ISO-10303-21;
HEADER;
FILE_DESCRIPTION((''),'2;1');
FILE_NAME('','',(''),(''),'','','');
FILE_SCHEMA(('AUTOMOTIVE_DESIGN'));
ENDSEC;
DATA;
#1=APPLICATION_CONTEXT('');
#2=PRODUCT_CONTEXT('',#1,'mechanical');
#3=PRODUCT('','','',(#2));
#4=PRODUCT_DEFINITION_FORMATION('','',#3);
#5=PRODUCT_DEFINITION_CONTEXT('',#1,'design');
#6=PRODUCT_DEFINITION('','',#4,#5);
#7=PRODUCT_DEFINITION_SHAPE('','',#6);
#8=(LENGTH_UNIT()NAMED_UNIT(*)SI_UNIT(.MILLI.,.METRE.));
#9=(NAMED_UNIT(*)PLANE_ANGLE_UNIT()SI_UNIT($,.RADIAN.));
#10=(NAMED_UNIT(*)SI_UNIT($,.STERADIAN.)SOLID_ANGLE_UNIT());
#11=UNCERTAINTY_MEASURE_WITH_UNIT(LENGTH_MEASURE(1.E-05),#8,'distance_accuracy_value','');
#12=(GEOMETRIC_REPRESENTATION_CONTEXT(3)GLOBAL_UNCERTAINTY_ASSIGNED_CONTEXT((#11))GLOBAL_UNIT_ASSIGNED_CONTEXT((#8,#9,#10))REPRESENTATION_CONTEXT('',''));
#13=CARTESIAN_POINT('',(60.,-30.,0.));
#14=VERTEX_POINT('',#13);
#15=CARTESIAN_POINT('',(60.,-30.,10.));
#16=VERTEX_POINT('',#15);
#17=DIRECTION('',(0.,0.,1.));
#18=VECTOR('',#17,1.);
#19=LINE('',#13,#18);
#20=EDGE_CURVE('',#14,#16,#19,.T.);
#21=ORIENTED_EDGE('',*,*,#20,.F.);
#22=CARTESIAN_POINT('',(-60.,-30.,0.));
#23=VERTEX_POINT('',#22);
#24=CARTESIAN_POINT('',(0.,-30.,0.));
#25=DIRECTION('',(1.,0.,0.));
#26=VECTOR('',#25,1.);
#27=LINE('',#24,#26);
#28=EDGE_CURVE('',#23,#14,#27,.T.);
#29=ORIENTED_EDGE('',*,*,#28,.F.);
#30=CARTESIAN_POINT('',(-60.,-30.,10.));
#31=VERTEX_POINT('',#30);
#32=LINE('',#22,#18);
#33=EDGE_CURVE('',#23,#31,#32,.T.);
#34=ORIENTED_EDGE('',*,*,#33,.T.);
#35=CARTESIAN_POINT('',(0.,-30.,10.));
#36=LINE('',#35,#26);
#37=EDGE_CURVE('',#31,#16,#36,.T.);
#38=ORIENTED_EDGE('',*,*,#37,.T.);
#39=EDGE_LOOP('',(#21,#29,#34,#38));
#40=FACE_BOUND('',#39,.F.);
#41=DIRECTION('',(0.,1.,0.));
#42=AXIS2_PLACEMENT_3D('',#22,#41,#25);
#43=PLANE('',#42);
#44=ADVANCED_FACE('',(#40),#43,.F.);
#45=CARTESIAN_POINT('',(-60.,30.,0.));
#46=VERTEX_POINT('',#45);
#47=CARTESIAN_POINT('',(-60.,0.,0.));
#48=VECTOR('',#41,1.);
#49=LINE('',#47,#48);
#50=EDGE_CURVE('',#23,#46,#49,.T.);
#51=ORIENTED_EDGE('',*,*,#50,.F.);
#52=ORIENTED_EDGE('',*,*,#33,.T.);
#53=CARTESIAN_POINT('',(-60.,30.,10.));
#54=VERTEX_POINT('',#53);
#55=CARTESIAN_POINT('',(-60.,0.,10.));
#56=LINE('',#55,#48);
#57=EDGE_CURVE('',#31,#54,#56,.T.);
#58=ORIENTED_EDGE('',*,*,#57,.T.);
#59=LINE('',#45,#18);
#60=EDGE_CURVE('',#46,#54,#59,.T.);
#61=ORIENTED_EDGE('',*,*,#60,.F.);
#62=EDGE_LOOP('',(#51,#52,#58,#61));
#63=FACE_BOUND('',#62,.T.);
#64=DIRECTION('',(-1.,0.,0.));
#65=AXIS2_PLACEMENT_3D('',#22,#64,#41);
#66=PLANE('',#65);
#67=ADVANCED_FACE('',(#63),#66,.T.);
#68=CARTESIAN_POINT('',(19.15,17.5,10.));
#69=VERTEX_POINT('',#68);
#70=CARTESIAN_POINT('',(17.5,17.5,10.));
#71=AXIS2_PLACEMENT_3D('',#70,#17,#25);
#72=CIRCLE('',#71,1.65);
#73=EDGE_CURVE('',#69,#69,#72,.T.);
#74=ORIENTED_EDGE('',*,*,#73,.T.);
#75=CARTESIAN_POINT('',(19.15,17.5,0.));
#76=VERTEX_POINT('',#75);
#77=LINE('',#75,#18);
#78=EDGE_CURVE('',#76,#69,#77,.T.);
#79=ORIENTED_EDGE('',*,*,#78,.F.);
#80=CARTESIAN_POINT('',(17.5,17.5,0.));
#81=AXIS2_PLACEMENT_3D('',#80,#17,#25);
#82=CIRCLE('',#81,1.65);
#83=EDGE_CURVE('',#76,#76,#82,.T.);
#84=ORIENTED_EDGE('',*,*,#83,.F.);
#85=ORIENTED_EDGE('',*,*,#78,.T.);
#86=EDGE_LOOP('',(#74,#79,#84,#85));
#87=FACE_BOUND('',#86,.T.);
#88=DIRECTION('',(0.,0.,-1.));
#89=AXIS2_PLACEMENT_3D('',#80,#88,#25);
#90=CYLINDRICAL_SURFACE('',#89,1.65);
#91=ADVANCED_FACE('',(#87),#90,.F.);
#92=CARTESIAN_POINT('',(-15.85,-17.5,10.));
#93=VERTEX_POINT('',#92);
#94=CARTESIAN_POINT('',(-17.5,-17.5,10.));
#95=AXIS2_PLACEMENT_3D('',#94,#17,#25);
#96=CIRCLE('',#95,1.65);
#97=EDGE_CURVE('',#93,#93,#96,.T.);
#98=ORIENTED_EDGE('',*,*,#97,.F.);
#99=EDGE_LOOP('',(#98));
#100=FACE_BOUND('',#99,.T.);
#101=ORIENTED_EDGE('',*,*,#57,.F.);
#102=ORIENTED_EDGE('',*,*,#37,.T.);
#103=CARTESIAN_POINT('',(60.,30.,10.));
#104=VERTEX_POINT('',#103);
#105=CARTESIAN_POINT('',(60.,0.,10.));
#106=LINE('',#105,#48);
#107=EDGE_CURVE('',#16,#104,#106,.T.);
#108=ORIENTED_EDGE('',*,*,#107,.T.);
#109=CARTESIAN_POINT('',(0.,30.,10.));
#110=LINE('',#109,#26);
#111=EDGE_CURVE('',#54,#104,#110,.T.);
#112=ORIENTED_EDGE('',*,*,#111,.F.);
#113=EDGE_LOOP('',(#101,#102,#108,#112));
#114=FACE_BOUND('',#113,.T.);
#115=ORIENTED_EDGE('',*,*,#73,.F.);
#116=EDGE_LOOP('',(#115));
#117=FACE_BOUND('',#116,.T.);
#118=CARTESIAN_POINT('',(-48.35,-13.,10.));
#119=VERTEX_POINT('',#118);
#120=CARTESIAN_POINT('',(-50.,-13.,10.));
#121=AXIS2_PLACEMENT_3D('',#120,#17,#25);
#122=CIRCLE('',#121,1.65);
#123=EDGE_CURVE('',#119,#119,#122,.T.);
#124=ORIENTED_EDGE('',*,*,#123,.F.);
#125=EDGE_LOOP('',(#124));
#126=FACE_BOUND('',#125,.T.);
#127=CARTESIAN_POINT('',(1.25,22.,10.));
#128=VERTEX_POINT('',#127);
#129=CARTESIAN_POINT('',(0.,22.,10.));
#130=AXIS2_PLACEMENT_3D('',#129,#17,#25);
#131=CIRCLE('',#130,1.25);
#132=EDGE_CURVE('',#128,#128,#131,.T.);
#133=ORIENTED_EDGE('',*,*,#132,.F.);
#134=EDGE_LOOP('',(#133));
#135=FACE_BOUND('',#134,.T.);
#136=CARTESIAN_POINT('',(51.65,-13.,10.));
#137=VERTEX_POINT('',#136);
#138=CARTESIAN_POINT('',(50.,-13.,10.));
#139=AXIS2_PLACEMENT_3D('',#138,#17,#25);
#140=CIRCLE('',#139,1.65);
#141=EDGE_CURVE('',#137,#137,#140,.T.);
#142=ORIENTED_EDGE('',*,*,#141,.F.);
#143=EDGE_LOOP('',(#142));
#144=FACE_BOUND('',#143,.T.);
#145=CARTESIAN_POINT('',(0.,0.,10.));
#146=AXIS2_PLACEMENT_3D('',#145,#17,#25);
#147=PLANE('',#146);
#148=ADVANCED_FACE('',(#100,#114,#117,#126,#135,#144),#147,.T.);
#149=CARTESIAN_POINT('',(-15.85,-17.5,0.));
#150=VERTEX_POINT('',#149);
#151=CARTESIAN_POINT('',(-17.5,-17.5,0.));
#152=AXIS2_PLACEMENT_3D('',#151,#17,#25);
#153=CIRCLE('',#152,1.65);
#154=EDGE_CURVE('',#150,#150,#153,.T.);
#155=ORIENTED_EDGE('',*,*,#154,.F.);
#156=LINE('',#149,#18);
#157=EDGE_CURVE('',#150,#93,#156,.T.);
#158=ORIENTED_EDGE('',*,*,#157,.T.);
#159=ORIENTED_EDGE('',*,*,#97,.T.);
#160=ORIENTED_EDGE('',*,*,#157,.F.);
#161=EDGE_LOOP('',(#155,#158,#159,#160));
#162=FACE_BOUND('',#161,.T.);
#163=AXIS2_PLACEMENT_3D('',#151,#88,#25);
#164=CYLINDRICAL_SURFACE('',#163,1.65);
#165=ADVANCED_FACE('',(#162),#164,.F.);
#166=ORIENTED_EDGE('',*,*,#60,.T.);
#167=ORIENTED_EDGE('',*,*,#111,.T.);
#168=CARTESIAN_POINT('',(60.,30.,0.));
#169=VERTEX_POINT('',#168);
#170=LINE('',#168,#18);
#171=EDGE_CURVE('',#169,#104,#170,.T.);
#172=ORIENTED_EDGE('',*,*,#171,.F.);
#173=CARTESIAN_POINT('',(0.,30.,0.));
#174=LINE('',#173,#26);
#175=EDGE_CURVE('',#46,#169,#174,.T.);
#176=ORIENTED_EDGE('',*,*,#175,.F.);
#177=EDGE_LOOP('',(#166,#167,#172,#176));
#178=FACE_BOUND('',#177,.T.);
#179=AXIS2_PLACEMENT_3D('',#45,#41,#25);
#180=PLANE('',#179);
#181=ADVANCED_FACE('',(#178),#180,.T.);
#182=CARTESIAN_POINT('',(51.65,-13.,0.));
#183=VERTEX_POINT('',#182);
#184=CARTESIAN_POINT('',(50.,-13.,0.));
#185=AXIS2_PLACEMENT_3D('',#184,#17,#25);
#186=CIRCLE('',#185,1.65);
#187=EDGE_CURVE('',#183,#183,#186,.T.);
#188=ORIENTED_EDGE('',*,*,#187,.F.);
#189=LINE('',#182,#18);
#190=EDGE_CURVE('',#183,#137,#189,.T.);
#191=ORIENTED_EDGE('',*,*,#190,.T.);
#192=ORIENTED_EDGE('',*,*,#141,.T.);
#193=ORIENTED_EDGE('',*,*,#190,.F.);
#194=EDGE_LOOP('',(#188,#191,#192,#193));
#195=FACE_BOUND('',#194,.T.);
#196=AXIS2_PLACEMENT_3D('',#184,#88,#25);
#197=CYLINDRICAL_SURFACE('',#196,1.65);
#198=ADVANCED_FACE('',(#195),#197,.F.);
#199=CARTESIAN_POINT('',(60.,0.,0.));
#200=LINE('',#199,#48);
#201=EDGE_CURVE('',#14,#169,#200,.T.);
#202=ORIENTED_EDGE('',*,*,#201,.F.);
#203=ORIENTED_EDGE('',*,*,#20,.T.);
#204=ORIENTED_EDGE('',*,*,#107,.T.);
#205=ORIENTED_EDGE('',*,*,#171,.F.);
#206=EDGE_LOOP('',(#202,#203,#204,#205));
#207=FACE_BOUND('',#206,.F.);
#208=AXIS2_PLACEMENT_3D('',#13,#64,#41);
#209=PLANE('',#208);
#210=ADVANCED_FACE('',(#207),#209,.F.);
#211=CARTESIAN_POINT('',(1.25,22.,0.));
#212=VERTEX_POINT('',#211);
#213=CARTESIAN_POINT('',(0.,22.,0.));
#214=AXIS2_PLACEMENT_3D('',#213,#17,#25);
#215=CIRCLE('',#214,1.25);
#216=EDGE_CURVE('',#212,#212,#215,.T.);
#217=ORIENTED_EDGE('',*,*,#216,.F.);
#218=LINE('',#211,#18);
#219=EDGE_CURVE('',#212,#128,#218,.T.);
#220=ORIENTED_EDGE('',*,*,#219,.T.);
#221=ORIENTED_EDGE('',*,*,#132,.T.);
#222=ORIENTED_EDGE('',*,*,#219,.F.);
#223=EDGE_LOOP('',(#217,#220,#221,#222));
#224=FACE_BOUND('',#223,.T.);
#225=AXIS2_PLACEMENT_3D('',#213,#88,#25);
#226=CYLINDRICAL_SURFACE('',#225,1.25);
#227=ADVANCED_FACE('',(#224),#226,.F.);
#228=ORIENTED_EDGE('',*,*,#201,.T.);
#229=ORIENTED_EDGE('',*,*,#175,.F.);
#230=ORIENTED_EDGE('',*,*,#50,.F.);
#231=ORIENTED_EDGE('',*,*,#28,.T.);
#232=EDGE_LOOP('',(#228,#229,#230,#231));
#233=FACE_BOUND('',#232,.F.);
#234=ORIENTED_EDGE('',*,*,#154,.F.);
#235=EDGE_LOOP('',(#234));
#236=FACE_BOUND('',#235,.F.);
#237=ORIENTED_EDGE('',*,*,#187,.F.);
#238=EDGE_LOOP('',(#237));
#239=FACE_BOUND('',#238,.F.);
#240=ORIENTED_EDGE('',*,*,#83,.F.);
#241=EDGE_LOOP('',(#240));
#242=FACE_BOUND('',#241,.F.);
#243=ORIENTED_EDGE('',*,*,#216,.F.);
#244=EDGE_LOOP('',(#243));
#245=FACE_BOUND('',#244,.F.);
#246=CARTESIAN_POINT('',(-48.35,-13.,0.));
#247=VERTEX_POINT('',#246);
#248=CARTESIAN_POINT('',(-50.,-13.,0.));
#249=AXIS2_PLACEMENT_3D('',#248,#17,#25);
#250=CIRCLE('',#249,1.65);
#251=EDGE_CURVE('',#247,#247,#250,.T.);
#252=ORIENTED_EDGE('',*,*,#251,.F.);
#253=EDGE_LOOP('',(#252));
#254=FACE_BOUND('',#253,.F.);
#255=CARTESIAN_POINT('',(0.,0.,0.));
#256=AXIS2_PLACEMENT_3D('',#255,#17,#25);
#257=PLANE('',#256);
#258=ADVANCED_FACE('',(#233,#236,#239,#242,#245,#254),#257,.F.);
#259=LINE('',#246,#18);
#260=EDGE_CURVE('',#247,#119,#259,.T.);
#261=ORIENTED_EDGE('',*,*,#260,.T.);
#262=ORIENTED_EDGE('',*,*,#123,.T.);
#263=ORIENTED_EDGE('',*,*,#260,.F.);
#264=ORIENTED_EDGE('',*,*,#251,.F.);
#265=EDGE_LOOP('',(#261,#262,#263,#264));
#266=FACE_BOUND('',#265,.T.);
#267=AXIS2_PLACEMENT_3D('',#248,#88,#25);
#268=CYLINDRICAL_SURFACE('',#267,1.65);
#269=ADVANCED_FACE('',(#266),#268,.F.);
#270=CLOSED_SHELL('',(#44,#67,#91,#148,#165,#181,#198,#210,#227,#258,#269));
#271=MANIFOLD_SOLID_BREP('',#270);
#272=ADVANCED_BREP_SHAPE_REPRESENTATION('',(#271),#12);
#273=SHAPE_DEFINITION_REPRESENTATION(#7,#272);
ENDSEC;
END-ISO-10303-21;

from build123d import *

# Parameters (mm, degrees)
F0_W     = 120
F0_H     = 60
F0_R     = 1.65
F0_R_2   = 1.25
F1_DEPTH = 10


with BuildPart() as f1:
    # F0 (on Top) → F1 (new body)
    with BuildSketch(Plane.XY):
        Rectangle(F0_W, F0_H)
        with Locations((-17.5, -17.5)):
            Circle(F0_R, mode=Mode.SUBTRACT)
        with Locations((-50, -13)):
            Circle(F0_R, mode=Mode.SUBTRACT)
        with Locations((50, -13)):
            Circle(F0_R, mode=Mode.SUBTRACT)
        with Locations((0, 22)):
            Circle(F0_R_2, mode=Mode.SUBTRACT)
        with Locations((17.5, 17.5)):
            Circle(F0_R, mode=Mode.SUBTRACT)
    extrude(amount=F1_DEPTH)


solid = f1.part
